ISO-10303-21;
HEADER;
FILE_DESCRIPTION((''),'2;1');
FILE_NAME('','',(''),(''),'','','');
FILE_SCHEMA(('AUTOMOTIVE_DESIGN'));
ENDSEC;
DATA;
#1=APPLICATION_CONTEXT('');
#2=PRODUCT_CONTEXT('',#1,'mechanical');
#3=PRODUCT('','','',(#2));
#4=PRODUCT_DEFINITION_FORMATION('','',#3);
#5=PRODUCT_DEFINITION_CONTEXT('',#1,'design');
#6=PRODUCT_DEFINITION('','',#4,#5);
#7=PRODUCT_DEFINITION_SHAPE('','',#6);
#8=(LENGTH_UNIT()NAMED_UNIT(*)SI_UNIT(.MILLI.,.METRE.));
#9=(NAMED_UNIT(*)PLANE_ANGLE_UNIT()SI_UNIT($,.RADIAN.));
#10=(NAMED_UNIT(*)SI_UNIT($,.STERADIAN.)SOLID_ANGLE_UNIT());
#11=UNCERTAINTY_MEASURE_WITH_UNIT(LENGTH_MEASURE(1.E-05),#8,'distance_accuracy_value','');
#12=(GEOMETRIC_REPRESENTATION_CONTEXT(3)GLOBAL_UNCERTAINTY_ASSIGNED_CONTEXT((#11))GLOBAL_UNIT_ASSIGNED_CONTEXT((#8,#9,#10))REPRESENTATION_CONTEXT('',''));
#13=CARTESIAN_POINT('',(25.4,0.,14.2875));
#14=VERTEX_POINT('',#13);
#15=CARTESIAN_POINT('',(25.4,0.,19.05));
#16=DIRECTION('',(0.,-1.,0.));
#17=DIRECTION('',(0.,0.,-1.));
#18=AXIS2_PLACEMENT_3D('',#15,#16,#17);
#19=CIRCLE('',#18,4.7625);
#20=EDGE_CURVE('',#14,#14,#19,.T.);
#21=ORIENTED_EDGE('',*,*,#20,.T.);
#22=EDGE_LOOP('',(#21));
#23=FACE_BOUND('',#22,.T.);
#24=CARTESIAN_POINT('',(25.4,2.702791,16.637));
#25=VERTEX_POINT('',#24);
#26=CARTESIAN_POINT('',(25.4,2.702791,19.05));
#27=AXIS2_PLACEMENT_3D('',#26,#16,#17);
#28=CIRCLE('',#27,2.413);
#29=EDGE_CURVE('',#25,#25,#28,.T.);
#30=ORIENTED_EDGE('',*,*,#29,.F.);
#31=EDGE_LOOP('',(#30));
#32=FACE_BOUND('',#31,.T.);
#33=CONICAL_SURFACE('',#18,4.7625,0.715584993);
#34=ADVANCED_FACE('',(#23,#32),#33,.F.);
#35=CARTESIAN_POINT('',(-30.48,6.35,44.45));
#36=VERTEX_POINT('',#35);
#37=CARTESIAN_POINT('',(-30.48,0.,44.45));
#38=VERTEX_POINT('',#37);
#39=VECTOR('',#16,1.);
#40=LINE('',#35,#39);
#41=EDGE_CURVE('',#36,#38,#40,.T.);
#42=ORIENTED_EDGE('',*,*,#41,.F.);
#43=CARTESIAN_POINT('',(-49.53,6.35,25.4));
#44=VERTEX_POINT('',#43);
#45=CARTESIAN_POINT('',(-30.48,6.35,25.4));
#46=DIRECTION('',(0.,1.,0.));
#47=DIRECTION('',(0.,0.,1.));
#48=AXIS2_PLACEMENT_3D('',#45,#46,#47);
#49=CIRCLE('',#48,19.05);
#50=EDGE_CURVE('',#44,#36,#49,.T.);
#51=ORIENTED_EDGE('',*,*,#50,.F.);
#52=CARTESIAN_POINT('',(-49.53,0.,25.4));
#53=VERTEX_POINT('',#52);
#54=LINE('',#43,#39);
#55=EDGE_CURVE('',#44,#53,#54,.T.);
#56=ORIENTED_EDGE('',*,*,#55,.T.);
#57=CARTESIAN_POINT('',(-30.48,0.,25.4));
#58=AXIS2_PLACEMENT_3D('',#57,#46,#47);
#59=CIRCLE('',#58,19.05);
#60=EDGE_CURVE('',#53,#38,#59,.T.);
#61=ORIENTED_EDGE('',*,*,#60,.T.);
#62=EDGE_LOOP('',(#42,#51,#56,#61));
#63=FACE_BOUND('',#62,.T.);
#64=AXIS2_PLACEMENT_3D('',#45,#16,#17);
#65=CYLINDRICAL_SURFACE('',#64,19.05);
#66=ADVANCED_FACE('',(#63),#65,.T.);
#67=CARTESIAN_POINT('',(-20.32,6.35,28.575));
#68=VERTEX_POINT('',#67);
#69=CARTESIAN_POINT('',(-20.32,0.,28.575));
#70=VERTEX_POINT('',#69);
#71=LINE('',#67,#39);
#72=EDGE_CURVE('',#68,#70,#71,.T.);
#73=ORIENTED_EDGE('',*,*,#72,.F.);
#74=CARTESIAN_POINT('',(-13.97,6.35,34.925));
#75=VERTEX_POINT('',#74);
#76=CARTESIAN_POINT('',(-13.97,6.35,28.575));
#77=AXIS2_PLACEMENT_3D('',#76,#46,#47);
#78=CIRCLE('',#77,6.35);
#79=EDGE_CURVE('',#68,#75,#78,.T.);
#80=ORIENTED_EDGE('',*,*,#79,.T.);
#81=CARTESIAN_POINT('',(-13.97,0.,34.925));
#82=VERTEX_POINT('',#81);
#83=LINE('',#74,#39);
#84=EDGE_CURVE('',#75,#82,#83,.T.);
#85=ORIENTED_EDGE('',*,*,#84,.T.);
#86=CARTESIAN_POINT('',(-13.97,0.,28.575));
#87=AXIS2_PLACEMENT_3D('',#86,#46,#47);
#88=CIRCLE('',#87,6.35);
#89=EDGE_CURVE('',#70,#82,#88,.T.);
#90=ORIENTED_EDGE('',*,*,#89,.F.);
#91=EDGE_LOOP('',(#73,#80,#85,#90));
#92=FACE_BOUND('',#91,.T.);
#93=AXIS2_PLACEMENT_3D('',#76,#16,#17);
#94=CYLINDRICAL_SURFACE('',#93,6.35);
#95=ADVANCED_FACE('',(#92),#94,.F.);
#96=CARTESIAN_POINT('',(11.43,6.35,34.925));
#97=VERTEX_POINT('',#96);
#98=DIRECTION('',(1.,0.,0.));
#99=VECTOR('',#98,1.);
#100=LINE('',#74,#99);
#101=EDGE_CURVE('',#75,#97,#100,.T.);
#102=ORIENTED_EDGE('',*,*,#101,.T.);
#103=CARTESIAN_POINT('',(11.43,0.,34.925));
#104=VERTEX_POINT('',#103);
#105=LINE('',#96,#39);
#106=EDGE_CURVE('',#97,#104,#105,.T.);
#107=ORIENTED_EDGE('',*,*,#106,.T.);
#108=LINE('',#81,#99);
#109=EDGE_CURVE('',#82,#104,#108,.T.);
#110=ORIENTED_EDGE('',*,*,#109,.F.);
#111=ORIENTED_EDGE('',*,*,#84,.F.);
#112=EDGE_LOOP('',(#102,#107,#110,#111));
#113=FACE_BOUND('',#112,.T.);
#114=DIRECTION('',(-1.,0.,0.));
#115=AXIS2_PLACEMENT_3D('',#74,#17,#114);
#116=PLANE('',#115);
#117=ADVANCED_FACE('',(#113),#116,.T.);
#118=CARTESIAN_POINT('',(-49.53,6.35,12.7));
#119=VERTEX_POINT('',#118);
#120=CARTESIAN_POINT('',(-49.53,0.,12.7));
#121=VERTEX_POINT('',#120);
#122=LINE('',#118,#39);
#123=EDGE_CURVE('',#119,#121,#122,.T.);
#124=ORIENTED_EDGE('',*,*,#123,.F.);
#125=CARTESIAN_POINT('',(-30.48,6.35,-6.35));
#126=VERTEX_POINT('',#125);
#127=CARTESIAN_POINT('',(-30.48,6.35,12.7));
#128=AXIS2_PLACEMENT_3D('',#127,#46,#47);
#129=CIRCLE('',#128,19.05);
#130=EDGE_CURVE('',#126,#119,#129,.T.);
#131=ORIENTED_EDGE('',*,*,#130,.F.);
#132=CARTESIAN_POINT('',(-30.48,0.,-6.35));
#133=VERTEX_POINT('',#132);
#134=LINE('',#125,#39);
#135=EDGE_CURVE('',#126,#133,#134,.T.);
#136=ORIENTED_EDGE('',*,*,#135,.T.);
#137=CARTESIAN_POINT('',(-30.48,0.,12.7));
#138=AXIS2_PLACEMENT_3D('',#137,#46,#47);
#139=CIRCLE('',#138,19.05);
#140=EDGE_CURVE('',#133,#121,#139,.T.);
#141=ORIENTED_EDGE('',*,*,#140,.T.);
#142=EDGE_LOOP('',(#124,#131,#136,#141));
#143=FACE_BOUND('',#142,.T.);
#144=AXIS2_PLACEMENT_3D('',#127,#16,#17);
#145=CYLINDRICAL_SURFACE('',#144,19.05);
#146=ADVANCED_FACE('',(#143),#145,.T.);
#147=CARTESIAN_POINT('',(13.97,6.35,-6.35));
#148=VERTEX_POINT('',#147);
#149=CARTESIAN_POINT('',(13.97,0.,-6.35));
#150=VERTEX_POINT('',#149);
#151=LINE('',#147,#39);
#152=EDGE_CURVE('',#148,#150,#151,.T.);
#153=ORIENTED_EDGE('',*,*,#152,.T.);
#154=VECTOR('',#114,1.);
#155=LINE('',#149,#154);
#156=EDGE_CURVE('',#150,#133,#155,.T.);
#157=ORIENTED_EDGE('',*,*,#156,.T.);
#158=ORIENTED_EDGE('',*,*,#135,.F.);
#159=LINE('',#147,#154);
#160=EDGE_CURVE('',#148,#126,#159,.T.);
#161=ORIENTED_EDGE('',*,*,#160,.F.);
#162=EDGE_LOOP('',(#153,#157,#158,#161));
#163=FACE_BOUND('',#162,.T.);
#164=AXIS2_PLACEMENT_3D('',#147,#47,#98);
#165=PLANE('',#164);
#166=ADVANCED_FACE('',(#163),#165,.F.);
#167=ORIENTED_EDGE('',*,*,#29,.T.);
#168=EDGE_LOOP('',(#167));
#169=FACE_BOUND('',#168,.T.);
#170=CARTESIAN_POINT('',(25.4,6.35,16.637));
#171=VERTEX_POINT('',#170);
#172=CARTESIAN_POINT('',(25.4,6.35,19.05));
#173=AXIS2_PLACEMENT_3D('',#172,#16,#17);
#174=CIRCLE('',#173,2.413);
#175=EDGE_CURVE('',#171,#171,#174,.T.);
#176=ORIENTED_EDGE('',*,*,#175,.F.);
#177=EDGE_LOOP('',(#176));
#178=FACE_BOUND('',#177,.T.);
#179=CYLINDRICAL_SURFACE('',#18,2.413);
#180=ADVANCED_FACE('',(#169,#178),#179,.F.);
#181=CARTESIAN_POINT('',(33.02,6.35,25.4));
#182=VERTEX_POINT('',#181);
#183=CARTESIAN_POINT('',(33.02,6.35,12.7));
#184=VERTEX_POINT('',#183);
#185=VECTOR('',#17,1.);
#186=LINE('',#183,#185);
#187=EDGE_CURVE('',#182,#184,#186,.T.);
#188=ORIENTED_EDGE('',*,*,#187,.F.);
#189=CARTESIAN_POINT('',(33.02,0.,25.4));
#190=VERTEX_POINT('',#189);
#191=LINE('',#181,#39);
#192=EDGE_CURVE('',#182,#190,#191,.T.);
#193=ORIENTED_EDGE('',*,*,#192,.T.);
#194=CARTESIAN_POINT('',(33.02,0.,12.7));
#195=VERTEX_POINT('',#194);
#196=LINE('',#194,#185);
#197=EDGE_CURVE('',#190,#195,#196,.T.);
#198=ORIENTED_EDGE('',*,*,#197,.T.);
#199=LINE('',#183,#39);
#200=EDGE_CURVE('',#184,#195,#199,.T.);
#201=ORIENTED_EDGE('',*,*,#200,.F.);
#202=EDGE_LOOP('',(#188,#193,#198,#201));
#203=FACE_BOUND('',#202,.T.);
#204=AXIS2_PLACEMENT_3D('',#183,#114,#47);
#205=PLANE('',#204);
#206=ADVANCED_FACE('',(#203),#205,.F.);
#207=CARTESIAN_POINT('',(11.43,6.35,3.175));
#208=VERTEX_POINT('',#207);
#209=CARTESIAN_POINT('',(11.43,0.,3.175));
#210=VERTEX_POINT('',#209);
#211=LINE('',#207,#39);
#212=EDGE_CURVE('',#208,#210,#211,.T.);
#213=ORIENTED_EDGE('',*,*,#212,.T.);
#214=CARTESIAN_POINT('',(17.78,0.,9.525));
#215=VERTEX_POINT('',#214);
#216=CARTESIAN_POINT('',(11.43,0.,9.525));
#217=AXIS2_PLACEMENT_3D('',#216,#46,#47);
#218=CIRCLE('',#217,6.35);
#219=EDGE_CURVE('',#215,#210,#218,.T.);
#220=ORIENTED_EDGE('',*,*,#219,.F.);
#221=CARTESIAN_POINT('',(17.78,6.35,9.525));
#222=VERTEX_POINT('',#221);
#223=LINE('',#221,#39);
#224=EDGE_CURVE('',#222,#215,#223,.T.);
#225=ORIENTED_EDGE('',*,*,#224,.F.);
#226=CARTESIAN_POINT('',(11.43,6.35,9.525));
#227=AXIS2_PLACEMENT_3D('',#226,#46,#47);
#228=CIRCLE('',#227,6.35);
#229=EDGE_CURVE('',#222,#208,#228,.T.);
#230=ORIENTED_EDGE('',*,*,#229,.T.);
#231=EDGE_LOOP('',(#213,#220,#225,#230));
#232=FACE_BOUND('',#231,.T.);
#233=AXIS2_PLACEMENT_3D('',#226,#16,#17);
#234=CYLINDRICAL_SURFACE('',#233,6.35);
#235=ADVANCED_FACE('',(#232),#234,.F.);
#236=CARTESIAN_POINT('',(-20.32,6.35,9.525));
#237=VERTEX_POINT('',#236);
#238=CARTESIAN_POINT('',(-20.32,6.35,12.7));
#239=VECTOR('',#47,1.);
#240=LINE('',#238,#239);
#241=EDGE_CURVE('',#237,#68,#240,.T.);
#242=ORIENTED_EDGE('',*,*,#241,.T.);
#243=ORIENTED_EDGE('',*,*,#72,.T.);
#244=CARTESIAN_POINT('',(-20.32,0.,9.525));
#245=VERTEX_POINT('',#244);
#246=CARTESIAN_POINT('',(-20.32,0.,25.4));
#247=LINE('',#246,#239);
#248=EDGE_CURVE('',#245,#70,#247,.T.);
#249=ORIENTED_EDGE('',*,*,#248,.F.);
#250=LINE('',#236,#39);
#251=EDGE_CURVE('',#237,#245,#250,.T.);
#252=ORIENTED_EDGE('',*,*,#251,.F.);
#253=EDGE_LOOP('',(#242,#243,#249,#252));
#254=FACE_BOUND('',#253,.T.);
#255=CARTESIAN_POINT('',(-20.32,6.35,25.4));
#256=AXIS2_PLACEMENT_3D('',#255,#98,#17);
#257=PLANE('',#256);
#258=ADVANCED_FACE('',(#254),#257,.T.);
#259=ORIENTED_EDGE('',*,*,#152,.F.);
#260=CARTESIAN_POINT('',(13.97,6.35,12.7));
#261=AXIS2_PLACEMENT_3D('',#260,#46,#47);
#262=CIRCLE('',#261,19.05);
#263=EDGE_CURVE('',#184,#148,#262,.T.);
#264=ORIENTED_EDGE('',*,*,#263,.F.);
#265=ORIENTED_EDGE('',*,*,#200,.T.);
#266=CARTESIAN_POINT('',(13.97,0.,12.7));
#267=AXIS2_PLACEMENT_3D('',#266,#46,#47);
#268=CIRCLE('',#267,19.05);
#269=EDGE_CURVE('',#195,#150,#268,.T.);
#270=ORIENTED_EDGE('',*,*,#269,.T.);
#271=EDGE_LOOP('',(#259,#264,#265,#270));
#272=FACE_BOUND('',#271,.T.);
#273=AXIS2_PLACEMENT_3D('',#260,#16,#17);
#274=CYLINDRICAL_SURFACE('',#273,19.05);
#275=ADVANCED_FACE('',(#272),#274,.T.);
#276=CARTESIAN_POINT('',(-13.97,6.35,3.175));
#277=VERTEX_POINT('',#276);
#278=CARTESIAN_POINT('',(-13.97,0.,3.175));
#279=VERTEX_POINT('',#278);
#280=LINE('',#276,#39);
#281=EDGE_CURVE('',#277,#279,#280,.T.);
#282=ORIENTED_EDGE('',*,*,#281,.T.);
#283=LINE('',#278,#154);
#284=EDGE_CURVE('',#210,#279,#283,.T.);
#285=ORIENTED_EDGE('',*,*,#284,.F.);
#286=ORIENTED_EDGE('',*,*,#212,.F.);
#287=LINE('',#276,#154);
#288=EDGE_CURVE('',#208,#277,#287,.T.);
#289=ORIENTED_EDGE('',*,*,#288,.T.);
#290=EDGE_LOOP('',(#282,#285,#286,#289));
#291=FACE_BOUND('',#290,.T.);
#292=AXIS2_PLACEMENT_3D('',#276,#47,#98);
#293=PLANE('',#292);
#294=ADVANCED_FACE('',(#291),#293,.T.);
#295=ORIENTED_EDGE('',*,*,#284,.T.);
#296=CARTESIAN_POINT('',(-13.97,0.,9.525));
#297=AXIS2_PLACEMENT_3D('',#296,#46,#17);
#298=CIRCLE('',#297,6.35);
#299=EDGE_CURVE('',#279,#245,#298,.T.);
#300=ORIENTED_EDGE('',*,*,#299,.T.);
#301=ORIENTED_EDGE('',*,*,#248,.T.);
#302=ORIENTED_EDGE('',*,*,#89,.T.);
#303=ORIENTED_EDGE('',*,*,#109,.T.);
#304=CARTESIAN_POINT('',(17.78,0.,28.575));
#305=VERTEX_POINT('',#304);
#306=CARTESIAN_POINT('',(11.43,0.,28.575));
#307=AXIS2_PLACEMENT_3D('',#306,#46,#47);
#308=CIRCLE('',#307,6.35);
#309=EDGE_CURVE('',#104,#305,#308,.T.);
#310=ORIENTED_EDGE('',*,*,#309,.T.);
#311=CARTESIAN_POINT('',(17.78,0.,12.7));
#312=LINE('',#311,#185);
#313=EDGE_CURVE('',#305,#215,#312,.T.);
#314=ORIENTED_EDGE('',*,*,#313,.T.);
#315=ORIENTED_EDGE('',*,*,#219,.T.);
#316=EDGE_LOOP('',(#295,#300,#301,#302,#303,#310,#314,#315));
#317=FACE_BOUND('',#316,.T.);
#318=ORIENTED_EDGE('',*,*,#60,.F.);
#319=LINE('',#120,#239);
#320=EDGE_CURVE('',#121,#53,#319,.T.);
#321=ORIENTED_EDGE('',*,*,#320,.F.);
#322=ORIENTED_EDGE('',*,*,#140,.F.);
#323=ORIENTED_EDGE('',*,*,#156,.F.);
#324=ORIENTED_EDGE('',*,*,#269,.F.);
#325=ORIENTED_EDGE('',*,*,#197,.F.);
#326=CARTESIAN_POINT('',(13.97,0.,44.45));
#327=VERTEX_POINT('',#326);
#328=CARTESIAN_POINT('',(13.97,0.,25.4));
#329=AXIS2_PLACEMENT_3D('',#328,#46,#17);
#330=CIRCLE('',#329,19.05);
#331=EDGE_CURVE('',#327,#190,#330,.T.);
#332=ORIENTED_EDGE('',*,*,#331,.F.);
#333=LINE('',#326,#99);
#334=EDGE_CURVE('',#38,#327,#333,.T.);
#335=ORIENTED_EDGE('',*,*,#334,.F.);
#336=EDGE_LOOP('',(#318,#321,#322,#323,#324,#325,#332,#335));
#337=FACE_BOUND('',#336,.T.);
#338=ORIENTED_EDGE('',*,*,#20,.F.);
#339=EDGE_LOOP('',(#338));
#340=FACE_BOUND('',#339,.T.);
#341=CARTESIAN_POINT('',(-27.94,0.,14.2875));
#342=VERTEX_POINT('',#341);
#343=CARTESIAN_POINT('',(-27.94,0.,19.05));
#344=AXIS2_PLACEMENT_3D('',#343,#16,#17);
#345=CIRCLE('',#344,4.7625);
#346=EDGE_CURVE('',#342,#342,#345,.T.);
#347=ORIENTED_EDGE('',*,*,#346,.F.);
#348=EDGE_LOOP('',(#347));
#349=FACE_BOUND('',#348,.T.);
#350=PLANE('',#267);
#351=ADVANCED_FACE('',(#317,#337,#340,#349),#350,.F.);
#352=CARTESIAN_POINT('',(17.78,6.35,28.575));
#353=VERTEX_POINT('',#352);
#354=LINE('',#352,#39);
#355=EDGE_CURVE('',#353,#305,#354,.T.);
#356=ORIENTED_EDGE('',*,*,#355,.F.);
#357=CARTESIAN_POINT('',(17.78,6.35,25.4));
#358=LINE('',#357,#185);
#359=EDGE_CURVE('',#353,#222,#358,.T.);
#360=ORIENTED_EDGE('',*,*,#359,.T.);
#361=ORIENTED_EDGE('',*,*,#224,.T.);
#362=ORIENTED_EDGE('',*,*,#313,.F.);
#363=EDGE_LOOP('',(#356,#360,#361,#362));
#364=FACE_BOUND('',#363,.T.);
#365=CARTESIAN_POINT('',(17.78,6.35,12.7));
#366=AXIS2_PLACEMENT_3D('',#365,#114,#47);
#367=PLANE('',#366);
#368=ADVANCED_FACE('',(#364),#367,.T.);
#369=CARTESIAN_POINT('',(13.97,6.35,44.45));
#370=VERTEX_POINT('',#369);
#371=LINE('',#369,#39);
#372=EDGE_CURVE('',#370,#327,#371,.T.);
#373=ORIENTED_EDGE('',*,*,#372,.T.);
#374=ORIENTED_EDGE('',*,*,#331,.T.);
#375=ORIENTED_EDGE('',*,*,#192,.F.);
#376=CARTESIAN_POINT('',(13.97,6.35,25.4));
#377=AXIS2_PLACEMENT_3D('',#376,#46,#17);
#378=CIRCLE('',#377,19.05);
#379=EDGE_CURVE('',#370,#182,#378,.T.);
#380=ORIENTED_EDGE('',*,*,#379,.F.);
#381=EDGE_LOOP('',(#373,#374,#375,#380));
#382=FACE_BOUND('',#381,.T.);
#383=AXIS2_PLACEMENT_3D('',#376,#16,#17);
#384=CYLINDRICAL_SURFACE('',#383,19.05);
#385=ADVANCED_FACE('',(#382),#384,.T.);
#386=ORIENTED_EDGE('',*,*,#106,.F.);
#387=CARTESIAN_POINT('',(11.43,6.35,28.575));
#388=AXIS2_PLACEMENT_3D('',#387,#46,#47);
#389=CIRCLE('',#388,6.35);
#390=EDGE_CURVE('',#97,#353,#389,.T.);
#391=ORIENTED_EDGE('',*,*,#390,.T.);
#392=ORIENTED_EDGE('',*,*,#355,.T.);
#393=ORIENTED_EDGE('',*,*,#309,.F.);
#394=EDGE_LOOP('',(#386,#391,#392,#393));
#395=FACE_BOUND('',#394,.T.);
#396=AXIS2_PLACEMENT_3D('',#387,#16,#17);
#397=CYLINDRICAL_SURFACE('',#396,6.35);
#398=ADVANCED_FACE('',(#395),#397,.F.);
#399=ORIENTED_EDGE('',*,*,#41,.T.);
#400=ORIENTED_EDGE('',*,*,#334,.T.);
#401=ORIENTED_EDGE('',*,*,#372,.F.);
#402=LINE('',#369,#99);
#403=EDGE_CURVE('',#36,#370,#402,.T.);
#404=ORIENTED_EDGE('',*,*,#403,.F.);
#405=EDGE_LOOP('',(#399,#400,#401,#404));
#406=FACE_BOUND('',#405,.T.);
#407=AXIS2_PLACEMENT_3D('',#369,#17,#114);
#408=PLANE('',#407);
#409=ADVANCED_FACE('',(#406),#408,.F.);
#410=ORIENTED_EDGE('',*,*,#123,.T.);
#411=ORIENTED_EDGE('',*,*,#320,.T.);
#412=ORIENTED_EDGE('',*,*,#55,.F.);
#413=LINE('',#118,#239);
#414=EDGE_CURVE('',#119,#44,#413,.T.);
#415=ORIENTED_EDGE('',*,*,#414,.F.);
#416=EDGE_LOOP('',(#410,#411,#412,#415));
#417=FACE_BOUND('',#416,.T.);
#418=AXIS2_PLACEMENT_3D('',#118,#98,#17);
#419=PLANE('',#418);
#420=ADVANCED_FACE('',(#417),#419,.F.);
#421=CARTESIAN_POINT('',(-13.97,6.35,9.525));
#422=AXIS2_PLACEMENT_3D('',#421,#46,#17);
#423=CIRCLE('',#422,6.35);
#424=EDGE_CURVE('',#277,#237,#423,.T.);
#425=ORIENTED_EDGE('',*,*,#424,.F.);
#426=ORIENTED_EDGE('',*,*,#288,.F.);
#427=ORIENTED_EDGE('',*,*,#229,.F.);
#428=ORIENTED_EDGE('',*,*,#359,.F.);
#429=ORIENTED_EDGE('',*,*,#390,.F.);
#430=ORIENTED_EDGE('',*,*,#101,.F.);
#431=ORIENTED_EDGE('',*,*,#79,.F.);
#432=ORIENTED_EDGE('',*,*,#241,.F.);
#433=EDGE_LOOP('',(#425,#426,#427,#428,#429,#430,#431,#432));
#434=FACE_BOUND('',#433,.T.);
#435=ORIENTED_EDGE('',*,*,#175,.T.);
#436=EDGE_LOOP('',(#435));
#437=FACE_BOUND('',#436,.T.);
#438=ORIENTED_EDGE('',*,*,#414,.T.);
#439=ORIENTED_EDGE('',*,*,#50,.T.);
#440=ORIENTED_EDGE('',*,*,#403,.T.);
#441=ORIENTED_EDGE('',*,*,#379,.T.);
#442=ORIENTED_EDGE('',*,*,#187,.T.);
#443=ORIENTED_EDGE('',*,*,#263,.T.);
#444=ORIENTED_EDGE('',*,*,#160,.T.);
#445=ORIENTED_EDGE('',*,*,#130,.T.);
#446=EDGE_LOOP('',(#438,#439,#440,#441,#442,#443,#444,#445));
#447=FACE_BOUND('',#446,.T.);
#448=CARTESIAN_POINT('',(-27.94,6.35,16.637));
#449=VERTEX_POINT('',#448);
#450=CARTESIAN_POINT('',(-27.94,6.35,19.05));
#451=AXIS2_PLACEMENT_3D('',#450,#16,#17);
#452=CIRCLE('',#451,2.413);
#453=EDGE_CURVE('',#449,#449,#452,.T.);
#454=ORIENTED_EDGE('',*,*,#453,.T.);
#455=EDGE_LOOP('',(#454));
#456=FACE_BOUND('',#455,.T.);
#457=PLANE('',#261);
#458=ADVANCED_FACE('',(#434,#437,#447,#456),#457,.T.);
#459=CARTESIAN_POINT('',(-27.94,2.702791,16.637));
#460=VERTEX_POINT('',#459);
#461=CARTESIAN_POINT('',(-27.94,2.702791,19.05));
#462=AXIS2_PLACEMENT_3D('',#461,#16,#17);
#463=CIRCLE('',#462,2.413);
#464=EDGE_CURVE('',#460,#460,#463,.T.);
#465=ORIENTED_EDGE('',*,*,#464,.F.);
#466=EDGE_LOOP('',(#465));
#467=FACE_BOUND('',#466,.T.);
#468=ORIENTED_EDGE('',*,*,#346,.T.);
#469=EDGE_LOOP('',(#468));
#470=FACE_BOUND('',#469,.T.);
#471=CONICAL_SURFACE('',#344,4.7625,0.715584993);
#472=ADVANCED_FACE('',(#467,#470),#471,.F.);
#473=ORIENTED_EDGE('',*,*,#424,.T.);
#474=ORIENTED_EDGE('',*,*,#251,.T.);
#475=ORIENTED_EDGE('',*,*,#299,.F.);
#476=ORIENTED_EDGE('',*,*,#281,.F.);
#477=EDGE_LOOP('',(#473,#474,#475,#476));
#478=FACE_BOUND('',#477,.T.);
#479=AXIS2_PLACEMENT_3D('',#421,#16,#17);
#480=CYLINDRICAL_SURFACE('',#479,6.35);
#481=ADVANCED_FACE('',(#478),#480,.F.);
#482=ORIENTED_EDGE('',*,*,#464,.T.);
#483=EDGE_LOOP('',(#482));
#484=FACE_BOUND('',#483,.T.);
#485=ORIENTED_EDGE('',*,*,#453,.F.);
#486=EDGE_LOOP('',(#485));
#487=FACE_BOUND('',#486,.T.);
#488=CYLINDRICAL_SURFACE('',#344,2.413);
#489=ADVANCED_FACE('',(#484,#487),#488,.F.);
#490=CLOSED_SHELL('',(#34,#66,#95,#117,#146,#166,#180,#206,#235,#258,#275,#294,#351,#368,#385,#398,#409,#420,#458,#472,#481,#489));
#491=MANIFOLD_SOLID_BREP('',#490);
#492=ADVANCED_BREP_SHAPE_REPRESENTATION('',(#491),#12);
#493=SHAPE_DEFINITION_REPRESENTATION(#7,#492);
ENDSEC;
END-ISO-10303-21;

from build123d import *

# Parameters (mm, degrees)
BOSS_EXTRUDE1_DEPTH                             = 6.35
CSK_FOR_10_FLAT_HEAD_MACHINE_SCREW1_D           = 4.826
CSK_FOR_10_FLAT_HEAD_MACHINE_SCREW1_CSINK_D     = 9.525
CSK_FOR_10_FLAT_HEAD_MACHINE_SCREW1_CSINK_ANGLE = 82


with BuildPart() as part:
    # Sketch1 → Boss-Extrude1 (new body)
    with BuildSketch(Plane(origin=(0, 0, 0), x_dir=(1, 0, 0), z_dir=(0, 1, 0))):
        with BuildLine():
            Line((13.97, 6.35), (-30.48, 6.35))
            ThreePointArc((-30.48, 6.35), (-43.950384182, 0.770384182), (-49.53, -12.7))
            Line((-49.53, -12.7), (-49.53, -25.4))
            ThreePointArc((-49.53, -25.4), (-43.950384182, -38.870384182), (-30.48, -44.45))
            Line((-30.48, -44.45), (13.97, -44.45))
            ThreePointArc((13.97, -44.45), (27.440384182, -38.870384182), (33.02, -25.4))
            Line((33.02, -25.4), (33.02, -12.7))
            ThreePointArc((33.02, -12.7), (27.440384182, 0.770384182), (13.97, 6.35))
        make_face()
        with BuildLine():
            Line((-20.32, -12.7), (-20.32, -25.4))
            Line((-20.32, -25.4), (-20.32, -28.575))
            ThreePointArc((-20.32, -28.575), (-18.460128061, -33.065128061), (-13.97, -34.925))
            Line((-13.97, -34.925), (11.43, -34.925))
            ThreePointArc((11.43, -34.925), (15.920128061, -33.065128061), (17.78, -28.575))
            Line((17.78, -28.575), (17.78, -25.4))
            Line((17.78, -25.4), (17.78, -12.7))
            Line((17.78, -12.7), (17.78, -9.525))
            ThreePointArc((17.78, -9.525), (15.920128061, -5.034871939), (11.43, -3.175))
            Line((11.43, -3.175), (-13.97, -3.175))
            ThreePointArc((-13.97, -3.175), (-18.460128061, -5.034871939), (-20.32, -9.525))
            Line((-20.32, -9.525), (-20.32, -12.7))
        make_face(mode=Mode.SUBTRACT)
    extrude(amount=BOSS_EXTRUDE1_DEPTH)

    # CSK for #10 Flat Head Machine Screw1 (through all)
    with Locations(Plane(origin=(0, 0, 0), x_dir=(-1, 0, 0), z_dir=(0, -1, 0))):
        with Locations((27.94, -19.05), (-25.4, -19.05)):
            CounterSinkHole(CSK_FOR_10_FLAT_HEAD_MACHINE_SCREW1_D / 2, CSK_FOR_10_FLAT_HEAD_MACHINE_SCREW1_CSINK_D / 2, counter_sink_angle=CSK_FOR_10_FLAT_HEAD_MACHINE_SCREW1_CSINK_ANGLE)


solid = part.part
